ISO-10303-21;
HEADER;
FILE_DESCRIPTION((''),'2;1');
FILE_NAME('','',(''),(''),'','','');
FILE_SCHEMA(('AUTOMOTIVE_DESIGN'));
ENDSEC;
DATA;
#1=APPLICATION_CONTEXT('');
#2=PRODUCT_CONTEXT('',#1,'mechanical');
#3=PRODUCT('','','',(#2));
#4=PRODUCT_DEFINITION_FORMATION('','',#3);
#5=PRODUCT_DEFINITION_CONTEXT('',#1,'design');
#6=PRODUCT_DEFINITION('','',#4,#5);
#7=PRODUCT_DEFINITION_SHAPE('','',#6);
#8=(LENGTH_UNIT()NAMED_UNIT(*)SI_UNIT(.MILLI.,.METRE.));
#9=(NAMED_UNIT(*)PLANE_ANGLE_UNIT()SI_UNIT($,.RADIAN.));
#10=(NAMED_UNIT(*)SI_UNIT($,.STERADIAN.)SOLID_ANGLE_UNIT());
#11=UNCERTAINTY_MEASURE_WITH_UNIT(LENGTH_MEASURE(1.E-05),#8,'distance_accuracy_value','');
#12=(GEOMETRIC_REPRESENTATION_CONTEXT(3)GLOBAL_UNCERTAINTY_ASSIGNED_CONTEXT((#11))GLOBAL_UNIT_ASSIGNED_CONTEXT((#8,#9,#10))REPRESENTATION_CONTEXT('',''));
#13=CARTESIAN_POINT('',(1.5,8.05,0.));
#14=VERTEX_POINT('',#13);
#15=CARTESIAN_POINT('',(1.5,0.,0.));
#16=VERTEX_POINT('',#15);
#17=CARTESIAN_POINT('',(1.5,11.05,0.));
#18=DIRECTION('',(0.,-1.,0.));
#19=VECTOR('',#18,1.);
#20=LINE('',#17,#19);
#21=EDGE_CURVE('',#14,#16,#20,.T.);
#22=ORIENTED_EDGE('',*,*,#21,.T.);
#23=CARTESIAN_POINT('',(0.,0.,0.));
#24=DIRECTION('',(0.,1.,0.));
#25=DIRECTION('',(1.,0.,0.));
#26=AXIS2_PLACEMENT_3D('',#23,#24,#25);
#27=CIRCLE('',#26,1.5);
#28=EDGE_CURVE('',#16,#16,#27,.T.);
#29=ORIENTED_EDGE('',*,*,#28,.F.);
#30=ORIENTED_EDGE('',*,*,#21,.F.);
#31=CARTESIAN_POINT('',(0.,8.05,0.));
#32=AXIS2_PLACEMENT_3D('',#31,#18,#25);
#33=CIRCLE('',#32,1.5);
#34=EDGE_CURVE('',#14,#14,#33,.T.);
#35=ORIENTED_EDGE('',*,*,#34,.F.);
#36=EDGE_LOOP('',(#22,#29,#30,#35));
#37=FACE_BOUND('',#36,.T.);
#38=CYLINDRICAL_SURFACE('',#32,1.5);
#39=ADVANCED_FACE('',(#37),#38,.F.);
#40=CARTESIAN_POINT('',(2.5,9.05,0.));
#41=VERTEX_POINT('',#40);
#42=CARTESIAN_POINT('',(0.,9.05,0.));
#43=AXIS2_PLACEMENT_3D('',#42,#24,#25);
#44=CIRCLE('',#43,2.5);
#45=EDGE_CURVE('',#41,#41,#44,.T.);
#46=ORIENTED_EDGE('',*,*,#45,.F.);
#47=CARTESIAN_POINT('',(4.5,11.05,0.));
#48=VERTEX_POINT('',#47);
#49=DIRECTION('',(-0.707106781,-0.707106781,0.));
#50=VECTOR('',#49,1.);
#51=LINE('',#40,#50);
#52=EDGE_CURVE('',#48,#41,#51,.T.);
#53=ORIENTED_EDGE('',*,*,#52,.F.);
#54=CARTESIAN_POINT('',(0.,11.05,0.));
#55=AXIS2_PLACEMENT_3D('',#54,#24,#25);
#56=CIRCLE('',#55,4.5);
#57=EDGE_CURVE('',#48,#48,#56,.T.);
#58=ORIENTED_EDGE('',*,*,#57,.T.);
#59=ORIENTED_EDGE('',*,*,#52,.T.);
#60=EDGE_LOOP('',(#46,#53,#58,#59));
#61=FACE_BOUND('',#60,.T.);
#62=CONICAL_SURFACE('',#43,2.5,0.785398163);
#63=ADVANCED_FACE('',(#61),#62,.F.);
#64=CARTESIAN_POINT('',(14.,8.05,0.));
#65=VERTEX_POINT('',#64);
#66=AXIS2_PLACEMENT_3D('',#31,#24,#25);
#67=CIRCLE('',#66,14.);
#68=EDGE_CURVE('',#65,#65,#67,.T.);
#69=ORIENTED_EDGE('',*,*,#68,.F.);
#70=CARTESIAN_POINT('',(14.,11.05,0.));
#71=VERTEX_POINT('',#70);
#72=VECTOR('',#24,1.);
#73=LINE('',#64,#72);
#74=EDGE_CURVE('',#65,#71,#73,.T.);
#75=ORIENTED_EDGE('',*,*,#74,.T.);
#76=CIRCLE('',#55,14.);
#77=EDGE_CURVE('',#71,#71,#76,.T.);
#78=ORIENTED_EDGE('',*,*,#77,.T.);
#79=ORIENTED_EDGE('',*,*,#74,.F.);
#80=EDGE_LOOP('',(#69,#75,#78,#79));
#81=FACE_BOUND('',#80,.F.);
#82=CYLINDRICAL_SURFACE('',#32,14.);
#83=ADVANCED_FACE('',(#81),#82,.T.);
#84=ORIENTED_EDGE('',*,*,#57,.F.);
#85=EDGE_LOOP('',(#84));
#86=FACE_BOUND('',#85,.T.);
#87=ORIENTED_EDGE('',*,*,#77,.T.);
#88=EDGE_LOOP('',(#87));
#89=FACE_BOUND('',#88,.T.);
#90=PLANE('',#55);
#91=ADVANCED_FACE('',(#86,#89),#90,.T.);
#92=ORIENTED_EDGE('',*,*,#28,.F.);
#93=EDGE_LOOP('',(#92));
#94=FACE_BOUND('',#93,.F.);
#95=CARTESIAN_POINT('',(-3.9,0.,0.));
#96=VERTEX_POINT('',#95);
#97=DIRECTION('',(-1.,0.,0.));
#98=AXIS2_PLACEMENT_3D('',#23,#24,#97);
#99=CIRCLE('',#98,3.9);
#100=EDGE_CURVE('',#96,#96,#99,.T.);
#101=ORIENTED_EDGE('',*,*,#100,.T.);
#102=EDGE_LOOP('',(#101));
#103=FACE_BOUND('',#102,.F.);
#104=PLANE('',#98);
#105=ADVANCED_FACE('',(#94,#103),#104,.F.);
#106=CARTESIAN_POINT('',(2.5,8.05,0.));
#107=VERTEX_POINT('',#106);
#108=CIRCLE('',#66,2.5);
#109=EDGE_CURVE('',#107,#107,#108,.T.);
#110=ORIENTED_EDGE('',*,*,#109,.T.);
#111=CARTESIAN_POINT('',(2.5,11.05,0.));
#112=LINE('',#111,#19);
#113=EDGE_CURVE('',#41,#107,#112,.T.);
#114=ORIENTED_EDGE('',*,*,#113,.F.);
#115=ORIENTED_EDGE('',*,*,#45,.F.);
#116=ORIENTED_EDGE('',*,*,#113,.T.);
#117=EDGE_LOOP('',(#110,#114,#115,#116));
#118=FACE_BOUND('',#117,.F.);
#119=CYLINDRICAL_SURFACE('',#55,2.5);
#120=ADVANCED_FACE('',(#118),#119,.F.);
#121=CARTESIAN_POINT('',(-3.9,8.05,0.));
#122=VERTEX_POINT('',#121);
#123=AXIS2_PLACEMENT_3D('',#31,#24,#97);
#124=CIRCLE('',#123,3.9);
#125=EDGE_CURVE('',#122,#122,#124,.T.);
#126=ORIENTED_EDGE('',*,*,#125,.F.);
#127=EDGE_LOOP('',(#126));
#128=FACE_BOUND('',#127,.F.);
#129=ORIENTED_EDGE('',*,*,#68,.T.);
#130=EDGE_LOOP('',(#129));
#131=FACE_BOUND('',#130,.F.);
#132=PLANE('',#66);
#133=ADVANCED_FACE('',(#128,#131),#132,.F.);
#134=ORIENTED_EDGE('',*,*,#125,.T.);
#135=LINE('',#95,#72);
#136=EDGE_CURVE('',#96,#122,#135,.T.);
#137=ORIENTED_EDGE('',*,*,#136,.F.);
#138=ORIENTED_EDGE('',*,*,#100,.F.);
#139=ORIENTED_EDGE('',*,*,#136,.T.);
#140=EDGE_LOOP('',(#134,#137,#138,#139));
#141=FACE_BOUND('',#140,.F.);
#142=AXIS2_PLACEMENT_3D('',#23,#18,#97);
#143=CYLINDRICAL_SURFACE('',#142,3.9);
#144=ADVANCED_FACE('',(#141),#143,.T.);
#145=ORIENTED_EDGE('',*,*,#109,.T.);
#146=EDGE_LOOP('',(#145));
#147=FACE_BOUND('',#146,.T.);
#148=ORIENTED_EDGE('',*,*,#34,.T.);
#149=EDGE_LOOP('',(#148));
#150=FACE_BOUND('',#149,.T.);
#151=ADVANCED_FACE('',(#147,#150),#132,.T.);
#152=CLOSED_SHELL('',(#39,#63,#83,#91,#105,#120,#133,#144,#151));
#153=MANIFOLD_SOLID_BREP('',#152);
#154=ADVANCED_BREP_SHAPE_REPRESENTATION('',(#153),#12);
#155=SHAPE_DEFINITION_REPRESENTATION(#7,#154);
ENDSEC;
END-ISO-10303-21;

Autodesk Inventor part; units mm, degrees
ref_plane "YZ Plane" through (0, 0, 0) normal (1, 0, 0) x (0, 1, 0)
ref_plane "XZ Plane" through (0, 0, 0) normal (0, 1, 0) x (-1, 0, 0)
ref_plane "XY Plane" through (0, 0, 0) normal (0, 0, 1) x (1, 0, 0)
sketch "Эскиз1" plane through (0, 0, 0) normal (0, 1, 0) x (-1, 0, 0)
  circle A0 centre (0, 0) radius 3.9
  dimension "d0" = 7.8
extrude "Выдавливание1" add sketch "Эскиз1" along normal blind 8.05
sketch "Эскиз2" plane through (0, 8.05, 0) normal (0, 1, 0) x (1, 0, 0)
  circle A0 centre (0, 0) radius 1.5
  dimension "d3" = 3
extrude "Выдавливание2" cut sketch "Эскиз2" against normal blind 8.05
sketch "Эскиз3" plane through (0, 8.05, 0) normal (0, 1, 0) x (1, 0, 0)
  circle A0 centre (0, 0) radius 14
  circle A1 centre (0, 0) radius 1.5 projected
  dimension "d6" = 28
extrude "Выдавливание3" add sketch "Эскиз3" along normal blind 3
sketch "Эскиз4" plane through (0, 11.05, 0) normal (0, 1, 0) x (1, 0, 0)
  circle A0 centre (0, 0) radius 2.5
  dimension "d9" = 5
extrude "Выдавливание4" cut sketch "Эскиз4" against normal blind 3
chamfer "Фаска1" distance 2 angle 45 1 edges at (-2.5, 11.05, 0)
properties part number "000.005.002.003 - ВТУЛКА" material "Пластик АБС"
